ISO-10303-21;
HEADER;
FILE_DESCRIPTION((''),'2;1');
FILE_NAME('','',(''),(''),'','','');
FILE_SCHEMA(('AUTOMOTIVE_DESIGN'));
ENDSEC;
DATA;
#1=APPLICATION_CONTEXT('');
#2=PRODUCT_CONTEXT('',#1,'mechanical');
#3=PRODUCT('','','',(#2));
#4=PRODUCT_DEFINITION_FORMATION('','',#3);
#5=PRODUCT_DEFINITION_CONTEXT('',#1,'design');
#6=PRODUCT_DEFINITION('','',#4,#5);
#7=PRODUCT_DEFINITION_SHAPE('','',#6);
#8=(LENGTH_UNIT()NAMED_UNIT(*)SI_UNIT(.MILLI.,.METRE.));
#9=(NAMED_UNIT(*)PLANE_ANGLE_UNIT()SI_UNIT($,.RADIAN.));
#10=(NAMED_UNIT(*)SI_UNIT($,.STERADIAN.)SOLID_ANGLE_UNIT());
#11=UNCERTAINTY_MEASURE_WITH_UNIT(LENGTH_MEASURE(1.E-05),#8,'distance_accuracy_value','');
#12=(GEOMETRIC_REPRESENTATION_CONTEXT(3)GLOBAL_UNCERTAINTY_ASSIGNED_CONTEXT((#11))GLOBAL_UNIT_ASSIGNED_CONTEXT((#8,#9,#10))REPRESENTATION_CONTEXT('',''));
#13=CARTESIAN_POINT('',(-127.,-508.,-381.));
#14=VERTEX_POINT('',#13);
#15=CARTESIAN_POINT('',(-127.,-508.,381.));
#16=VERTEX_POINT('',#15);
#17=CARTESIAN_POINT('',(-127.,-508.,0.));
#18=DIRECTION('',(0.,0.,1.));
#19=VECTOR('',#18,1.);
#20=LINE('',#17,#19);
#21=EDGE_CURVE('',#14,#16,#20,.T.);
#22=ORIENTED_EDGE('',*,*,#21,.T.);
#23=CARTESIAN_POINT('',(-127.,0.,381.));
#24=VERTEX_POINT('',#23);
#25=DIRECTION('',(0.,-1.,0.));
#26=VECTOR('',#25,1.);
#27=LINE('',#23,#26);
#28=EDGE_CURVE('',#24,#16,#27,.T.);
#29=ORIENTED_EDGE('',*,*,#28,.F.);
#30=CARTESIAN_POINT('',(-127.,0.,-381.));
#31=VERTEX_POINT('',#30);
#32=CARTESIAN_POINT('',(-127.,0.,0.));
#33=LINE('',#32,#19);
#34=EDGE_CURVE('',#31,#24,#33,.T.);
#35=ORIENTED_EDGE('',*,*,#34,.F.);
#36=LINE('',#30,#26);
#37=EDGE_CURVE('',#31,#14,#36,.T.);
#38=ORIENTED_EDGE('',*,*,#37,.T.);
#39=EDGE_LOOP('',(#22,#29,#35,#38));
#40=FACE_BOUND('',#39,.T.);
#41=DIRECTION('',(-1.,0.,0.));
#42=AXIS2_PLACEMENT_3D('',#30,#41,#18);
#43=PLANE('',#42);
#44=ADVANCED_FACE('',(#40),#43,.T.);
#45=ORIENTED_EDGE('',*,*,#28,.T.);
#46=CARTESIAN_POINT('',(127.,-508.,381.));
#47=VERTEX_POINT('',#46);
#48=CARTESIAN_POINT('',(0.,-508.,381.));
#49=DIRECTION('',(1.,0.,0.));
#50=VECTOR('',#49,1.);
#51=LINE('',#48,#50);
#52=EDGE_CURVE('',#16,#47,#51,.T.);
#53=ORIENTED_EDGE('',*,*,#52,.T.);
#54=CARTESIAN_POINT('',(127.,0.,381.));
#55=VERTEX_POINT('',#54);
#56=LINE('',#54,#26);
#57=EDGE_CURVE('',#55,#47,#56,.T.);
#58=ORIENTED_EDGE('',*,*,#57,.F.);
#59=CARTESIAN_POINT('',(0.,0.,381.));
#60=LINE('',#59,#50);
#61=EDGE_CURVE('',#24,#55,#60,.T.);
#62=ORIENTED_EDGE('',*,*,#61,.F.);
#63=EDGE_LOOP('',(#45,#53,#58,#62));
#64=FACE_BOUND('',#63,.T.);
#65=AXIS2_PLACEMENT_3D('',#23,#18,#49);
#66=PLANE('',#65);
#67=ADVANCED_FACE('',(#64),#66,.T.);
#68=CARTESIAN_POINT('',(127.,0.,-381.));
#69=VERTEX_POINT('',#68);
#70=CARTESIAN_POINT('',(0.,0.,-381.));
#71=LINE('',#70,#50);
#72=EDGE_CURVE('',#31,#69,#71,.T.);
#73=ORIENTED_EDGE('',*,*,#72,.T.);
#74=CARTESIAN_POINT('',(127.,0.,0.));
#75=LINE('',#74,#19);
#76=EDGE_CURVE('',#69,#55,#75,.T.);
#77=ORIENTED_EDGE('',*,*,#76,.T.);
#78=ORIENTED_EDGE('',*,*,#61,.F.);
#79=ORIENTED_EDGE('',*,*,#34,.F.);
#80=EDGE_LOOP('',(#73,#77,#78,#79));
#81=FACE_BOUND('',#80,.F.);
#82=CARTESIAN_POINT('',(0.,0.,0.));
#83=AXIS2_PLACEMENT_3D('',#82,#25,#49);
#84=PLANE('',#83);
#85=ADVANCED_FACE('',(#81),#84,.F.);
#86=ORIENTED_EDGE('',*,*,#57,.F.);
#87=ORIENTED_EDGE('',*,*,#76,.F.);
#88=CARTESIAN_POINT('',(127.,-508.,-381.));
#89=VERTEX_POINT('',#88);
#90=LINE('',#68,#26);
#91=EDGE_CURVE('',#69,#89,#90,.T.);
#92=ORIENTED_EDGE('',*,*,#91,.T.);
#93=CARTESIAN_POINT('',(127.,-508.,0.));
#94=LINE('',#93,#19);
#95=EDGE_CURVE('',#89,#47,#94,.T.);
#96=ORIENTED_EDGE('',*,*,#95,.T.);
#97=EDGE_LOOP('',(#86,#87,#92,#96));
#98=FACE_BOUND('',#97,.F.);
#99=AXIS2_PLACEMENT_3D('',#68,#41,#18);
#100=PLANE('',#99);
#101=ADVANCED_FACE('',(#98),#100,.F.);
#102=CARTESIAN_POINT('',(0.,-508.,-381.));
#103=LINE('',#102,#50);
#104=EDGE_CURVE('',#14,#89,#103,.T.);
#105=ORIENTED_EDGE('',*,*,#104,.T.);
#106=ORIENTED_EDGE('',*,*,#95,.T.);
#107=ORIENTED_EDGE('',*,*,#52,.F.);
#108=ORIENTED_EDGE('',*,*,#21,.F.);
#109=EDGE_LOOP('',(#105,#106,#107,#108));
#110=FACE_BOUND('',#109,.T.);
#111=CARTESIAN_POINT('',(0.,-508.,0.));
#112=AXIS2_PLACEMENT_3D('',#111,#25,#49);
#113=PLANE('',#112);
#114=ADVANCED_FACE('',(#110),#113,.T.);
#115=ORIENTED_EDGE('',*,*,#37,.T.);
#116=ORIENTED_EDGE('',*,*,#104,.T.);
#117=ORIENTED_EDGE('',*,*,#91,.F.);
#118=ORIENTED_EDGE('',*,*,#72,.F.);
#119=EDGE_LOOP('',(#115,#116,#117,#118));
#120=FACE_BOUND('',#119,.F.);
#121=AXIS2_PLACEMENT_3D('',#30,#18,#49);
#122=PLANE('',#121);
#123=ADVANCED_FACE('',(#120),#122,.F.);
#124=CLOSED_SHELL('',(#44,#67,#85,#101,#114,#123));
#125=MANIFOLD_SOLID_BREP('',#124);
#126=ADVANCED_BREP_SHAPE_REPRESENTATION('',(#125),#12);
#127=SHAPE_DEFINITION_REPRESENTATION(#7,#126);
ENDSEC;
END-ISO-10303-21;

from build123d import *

# Parameters (mm, degrees)
F0_W     = 254
F0_H     = 762
F1_DEPTH = 508


with BuildPart() as f1:
    # F0 (on Front) → F1 (new body)
    with BuildSketch(Plane.XZ):
        Rectangle(F0_W, F0_H)
    extrude(amount=F1_DEPTH)


solid = f1.part
